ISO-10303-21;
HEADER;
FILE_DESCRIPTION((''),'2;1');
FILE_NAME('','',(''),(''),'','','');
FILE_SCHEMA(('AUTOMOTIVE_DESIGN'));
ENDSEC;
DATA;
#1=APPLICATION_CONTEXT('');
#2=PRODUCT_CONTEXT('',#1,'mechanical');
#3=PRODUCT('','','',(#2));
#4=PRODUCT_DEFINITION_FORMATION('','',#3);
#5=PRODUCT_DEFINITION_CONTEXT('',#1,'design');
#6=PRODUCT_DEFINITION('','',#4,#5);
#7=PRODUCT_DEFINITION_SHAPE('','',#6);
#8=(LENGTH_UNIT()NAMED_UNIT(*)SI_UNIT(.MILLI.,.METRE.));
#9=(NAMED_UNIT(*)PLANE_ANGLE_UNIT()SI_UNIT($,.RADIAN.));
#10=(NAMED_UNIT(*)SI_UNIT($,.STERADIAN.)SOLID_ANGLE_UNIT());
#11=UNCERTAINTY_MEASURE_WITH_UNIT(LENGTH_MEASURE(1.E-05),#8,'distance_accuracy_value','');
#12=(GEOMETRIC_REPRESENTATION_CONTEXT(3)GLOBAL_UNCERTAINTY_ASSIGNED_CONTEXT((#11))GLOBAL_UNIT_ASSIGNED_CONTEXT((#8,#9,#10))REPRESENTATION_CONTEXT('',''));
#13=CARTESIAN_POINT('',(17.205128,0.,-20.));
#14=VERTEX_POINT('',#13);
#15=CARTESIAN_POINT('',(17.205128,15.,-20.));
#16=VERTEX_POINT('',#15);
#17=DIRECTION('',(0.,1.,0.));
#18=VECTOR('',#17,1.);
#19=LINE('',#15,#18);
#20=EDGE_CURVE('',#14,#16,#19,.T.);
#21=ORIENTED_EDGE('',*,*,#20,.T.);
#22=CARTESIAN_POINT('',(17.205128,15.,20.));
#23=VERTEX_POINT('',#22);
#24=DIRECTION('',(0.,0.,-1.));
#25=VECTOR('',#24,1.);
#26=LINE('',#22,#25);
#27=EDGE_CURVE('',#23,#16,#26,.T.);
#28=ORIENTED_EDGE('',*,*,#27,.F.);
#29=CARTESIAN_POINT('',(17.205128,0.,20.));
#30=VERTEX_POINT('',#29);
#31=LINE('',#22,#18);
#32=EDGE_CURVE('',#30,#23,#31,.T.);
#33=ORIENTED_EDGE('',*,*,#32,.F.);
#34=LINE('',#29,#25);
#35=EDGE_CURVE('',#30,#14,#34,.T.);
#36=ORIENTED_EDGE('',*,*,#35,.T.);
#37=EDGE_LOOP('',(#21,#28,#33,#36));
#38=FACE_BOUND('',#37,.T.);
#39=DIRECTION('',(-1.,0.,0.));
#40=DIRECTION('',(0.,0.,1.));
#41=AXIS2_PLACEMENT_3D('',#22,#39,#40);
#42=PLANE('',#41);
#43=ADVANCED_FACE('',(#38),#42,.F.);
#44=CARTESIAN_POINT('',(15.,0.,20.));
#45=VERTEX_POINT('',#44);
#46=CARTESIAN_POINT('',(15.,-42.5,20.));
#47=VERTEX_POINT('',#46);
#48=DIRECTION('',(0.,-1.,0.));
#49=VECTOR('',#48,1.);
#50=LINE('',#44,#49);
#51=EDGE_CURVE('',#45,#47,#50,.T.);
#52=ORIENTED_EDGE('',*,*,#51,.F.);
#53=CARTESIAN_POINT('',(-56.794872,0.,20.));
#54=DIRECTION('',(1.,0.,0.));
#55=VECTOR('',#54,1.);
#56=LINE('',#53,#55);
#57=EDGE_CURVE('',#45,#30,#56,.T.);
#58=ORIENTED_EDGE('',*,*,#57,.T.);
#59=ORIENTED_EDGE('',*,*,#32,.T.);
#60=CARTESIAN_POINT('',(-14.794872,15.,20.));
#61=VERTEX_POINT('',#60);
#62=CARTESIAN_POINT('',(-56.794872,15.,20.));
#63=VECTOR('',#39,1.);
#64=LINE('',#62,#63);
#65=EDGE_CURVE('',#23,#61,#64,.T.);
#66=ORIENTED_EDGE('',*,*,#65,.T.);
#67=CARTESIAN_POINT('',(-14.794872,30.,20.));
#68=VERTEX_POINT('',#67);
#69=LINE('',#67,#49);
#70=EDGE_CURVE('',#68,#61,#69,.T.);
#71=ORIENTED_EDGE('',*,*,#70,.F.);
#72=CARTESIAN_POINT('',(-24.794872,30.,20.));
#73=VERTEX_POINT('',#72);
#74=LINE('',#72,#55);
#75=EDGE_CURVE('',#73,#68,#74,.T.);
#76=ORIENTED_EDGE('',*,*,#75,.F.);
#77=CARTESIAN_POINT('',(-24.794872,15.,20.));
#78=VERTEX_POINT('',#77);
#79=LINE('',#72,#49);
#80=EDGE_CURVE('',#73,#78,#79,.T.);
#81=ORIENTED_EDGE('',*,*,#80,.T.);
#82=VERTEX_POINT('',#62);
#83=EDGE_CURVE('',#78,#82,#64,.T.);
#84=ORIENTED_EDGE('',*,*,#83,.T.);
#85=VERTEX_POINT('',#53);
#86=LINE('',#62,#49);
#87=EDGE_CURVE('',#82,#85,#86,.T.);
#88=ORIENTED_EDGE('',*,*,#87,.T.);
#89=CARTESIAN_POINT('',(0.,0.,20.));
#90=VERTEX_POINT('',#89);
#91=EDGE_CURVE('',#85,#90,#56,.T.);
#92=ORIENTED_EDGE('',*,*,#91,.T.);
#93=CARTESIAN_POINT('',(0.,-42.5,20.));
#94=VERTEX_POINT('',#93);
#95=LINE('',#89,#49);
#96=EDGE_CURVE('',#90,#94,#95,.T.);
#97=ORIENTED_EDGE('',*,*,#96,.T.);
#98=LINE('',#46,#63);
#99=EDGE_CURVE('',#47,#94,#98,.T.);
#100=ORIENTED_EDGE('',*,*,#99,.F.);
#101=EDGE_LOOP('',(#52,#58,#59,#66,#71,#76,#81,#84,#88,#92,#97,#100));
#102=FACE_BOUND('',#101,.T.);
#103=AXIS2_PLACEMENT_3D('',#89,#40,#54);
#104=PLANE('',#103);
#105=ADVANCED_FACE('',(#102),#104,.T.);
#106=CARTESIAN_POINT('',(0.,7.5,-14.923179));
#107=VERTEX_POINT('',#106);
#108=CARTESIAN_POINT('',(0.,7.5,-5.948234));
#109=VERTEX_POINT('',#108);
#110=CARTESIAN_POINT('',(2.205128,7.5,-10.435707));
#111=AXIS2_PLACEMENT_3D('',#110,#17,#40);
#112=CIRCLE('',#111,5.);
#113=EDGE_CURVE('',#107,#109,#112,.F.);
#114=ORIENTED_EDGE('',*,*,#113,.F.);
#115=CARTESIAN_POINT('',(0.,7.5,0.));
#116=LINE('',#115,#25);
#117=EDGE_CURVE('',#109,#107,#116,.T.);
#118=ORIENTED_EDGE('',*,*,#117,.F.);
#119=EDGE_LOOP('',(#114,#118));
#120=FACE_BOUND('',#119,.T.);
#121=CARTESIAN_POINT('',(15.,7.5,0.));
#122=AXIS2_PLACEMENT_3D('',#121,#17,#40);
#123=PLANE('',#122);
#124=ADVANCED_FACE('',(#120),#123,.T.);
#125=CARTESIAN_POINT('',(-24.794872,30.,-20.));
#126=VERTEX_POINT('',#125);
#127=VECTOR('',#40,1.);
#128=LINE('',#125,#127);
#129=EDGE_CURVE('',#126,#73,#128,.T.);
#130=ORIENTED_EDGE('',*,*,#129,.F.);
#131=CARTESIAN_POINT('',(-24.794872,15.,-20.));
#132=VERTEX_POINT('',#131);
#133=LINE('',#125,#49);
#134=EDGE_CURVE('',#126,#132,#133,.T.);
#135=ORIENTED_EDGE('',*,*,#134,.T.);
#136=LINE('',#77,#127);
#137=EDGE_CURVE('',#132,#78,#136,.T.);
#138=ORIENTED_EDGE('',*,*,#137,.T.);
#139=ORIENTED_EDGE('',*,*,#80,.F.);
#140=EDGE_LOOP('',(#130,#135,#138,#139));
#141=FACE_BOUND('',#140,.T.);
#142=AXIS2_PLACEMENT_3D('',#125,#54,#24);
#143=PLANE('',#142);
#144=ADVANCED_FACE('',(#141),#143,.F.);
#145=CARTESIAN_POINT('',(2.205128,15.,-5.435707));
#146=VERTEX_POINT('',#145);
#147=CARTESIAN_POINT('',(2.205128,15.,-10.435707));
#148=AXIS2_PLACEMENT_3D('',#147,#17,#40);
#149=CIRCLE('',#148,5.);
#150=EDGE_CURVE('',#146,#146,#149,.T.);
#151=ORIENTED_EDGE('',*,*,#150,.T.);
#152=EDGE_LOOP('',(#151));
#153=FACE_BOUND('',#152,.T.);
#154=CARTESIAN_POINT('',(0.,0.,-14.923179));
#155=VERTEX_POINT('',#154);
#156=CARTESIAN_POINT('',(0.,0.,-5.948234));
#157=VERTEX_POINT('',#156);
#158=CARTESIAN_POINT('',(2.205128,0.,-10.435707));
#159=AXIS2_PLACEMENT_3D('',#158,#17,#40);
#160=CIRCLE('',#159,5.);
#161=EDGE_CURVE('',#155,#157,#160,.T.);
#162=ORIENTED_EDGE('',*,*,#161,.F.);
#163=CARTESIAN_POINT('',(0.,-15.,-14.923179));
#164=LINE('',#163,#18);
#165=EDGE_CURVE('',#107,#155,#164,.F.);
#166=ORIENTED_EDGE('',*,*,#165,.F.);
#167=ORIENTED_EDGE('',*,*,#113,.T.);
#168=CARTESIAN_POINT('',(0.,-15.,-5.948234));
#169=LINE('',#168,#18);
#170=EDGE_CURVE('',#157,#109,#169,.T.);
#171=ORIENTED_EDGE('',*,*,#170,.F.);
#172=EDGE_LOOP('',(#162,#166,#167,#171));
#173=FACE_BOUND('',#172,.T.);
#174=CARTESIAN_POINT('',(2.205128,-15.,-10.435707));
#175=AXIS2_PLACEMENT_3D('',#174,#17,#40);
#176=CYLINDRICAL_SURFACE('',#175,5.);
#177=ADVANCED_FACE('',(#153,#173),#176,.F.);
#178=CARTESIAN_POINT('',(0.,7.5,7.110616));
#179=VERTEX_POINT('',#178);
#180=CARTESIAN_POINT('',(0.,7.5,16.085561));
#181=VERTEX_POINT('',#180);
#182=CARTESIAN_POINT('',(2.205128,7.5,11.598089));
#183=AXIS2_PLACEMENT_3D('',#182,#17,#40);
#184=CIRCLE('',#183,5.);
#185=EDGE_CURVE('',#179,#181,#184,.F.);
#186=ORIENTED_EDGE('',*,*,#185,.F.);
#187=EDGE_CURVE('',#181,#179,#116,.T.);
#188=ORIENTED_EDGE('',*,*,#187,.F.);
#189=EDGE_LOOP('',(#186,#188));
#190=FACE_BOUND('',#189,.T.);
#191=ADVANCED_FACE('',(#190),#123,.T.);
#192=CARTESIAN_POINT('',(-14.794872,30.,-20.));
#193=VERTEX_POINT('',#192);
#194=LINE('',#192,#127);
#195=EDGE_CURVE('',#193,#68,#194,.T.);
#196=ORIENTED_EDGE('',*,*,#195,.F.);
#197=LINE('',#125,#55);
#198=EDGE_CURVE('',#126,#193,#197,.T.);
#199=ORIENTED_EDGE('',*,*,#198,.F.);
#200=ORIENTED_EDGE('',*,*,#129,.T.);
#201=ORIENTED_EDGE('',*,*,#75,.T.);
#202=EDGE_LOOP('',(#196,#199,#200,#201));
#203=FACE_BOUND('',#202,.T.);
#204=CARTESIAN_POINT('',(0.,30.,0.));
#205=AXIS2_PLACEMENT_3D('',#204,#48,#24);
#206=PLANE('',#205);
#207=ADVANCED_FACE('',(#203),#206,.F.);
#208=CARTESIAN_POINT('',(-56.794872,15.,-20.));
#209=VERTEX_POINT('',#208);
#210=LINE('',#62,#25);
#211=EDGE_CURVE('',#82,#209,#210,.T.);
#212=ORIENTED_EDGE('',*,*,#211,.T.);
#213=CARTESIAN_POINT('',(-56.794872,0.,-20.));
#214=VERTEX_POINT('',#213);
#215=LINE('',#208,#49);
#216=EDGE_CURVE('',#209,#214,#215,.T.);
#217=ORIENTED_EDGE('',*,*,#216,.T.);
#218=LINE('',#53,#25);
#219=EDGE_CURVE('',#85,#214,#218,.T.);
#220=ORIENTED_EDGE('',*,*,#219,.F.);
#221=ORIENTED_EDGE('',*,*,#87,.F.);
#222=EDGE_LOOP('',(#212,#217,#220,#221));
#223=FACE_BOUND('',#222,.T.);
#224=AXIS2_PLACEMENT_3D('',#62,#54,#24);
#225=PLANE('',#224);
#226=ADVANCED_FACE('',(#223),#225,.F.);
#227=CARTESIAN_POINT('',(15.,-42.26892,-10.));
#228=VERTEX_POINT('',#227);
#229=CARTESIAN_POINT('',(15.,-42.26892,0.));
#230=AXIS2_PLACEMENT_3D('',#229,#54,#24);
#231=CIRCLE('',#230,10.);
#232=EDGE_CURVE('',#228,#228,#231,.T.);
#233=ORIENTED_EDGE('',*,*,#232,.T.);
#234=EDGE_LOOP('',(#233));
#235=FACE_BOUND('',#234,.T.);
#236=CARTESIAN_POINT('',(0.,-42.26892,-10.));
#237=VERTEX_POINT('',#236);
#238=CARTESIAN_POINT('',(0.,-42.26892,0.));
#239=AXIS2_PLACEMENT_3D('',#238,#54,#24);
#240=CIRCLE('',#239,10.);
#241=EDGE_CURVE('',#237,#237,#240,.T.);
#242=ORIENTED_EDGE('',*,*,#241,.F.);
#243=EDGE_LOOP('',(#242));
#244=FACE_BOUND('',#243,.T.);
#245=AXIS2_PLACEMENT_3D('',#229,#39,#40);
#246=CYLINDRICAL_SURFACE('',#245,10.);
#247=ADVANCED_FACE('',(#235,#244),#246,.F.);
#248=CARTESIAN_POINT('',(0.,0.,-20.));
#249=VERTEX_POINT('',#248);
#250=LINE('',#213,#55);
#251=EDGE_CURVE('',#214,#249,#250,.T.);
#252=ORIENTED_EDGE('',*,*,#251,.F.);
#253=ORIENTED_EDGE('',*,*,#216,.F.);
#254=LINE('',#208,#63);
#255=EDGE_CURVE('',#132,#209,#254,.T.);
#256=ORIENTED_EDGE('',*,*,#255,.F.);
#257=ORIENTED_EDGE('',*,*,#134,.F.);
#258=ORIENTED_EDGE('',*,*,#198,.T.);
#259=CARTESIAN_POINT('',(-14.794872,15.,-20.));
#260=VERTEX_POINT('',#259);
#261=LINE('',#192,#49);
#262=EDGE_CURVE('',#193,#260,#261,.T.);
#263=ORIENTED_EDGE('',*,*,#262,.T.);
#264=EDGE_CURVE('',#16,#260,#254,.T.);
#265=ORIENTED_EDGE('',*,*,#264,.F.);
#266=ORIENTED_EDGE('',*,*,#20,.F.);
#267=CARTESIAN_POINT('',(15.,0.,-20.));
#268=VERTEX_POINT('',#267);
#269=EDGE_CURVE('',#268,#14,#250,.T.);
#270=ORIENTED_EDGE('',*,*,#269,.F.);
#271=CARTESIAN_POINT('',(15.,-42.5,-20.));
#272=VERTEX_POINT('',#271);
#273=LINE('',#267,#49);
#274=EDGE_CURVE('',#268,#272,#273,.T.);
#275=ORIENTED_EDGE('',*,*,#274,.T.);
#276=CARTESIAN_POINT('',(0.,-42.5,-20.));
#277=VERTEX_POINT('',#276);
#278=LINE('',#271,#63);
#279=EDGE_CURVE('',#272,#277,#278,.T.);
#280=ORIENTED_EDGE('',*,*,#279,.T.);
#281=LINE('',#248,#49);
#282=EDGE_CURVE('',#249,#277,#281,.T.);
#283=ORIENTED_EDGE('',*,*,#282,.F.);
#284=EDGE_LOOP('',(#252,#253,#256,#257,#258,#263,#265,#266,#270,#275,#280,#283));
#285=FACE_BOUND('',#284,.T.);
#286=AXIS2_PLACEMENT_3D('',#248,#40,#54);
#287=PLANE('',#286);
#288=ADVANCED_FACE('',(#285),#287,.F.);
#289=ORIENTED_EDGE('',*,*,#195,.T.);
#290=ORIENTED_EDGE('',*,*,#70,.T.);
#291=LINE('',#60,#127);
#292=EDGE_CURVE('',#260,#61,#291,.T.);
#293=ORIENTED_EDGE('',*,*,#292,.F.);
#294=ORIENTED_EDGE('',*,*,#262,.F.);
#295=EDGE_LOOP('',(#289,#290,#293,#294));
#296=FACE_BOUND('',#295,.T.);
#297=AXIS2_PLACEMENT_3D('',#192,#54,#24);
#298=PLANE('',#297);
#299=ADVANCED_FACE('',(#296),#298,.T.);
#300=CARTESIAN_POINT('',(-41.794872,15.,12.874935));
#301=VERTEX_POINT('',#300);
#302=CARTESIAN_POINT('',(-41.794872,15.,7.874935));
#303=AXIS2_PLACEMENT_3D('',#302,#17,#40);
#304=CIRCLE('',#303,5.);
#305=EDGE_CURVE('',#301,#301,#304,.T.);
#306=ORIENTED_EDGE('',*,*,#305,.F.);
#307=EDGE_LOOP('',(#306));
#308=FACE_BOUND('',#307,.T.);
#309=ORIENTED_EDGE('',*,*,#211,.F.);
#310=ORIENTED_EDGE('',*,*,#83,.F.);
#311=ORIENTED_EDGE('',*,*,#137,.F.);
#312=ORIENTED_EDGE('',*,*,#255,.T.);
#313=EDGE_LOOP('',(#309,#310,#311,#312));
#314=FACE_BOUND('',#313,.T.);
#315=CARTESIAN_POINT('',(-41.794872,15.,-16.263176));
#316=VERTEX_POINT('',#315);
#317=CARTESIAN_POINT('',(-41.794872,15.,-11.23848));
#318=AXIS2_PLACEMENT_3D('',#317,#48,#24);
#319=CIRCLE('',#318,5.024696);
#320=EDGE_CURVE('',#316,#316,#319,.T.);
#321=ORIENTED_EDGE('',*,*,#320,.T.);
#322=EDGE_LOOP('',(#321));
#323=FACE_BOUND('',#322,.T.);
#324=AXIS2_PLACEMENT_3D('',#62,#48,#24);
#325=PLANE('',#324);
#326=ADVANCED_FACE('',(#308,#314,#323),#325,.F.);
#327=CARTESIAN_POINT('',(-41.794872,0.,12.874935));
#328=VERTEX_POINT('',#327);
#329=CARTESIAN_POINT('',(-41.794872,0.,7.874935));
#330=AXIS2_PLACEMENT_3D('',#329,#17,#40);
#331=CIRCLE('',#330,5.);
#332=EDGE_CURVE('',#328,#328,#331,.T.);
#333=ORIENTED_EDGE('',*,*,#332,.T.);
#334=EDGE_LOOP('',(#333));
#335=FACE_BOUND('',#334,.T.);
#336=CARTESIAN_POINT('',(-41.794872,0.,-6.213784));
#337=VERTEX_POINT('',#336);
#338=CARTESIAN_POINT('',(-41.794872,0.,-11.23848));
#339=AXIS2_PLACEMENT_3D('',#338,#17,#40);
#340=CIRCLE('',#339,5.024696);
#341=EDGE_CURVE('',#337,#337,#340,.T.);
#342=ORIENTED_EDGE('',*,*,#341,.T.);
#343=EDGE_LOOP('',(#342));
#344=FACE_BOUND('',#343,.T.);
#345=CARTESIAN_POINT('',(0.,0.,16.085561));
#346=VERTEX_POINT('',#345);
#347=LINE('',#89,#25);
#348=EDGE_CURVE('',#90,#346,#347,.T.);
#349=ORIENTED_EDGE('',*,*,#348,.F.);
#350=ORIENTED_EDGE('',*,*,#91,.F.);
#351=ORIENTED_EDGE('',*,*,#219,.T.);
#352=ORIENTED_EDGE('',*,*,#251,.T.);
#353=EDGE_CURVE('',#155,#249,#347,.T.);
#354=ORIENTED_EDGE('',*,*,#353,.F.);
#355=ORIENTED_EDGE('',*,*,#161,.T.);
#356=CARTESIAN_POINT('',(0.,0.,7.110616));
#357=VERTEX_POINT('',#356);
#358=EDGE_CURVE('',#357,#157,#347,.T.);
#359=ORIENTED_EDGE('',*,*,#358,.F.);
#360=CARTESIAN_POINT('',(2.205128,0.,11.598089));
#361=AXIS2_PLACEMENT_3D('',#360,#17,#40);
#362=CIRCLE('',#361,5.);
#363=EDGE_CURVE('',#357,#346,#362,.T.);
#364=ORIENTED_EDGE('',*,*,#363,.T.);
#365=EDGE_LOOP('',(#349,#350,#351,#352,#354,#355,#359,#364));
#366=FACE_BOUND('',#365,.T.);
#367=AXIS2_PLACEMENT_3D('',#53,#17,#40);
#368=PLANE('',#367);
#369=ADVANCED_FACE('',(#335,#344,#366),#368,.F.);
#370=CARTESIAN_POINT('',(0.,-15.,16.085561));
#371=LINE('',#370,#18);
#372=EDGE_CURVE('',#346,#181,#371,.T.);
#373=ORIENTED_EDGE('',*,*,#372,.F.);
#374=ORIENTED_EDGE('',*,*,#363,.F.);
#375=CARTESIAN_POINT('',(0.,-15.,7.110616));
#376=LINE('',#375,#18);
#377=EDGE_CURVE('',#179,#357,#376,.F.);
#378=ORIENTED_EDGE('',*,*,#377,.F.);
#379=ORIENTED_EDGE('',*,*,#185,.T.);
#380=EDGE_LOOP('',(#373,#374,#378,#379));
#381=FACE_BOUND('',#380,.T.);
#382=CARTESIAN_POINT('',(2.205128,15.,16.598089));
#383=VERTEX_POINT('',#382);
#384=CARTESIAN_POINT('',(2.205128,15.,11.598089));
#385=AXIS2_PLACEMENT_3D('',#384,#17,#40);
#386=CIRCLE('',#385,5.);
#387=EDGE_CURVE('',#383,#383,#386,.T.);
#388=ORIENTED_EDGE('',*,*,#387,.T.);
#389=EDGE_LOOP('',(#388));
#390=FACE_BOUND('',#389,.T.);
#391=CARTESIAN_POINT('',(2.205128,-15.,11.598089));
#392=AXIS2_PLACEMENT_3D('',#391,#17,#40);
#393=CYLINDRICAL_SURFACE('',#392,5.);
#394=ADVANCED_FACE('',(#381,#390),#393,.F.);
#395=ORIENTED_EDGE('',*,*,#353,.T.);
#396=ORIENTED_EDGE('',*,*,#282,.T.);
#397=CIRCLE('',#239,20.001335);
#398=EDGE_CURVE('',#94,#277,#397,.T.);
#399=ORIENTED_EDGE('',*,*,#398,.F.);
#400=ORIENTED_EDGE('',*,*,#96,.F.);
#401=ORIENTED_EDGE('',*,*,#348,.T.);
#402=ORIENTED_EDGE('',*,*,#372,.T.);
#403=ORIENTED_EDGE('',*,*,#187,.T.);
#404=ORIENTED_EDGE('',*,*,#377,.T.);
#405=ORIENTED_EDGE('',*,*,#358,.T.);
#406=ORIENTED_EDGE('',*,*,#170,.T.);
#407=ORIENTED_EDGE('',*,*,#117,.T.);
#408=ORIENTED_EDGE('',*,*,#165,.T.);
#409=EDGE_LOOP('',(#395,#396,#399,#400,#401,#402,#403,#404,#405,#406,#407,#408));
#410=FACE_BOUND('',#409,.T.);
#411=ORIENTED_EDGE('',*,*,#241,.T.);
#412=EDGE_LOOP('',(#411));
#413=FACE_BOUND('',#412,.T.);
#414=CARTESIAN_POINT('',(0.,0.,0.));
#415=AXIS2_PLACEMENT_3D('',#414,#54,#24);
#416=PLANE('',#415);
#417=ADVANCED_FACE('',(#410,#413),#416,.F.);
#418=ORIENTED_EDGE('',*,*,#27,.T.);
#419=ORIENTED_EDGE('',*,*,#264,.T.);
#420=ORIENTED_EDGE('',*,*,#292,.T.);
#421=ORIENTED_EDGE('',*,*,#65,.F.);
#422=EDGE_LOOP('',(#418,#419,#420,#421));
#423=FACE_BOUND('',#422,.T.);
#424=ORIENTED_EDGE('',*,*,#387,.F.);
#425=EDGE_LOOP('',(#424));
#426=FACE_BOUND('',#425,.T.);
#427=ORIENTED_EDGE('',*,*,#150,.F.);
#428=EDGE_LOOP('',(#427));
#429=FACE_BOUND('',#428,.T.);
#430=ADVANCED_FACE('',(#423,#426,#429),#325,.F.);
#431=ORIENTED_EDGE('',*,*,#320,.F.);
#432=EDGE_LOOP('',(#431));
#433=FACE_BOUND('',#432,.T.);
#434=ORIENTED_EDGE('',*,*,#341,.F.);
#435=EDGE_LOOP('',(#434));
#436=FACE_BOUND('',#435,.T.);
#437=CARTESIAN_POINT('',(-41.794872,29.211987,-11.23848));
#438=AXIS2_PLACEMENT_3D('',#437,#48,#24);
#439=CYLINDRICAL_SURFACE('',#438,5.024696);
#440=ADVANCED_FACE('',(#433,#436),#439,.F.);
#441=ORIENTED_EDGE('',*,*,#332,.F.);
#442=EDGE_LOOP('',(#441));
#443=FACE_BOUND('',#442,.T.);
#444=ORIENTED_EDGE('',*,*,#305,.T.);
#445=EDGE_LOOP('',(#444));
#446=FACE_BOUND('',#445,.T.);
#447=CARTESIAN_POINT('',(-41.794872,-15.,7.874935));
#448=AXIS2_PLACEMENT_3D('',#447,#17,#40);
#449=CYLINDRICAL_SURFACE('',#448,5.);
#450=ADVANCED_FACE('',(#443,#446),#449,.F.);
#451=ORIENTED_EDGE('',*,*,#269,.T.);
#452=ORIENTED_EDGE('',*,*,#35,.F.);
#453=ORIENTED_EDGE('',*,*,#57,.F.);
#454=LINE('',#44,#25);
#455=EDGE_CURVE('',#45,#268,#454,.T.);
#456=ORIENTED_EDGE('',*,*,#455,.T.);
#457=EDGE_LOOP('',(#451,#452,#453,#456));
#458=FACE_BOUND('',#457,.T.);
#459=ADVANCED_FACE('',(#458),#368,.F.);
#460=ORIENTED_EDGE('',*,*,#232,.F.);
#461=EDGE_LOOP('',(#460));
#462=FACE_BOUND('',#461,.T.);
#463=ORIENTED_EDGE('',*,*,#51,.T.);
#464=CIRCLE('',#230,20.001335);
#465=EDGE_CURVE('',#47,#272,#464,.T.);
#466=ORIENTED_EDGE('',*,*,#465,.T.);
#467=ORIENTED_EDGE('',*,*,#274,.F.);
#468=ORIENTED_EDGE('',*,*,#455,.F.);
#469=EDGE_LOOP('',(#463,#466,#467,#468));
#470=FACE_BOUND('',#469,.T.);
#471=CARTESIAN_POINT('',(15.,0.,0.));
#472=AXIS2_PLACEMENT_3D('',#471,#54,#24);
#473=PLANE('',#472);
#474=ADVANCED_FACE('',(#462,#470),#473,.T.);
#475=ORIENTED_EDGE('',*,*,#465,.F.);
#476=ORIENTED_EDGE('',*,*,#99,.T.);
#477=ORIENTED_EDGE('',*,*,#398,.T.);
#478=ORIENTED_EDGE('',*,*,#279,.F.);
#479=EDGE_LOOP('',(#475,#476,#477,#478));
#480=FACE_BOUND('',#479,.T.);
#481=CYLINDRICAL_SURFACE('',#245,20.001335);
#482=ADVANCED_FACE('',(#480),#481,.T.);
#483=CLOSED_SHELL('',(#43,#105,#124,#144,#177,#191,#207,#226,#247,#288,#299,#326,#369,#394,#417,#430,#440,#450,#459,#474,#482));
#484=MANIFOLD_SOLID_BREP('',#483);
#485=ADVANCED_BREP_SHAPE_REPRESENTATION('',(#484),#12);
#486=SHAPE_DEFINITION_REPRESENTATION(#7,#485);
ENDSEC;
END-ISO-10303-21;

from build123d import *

# Parameters (mm, degrees)
SKETCH1_W           = 74
SKETCH1_H           = 15
BOSS_EXTRUDE1_DEPTH = 20
SKETCH2_W           = 10
SKETCH2_H           = 40
BOSS_EXTRUDE2_DEPTH = 30
SKETCH3_R           = 5.024696106
CUT_EXTRUDE4_DEPTH  = 15
SKETCH6_R           = 5
CUT_EXTRUDE5_DEPTH  = 30
SKETCH8_R           = 5
CUT_EXTRUDE6_DEPTH  = 30
SKETCH9_R           = 5
CUT_EXTRUDE7_DEPTH  = 30
SKETCH11_R          = 10
BOSS_EXTRUDE3_DEPTH = 15


with BuildPart() as part:
    # Sketch1 → Boss-Extrude1 (new, symmetric)
    with BuildSketch(Plane.XY):
        with Locations((-19.794871795, 7.5)):
            Rectangle(SKETCH1_W, SKETCH1_H)
    extrude(amount=BOSS_EXTRUDE1_DEPTH, both=True)

    # Sketch2 → Boss-Extrude2 (add)
    with BuildSketch(Plane(origin=(0, 0, 0), x_dir=(1, 0, 0), z_dir=(0, 1, 0))):
        with Locations((-19.794871795, 0)):
            Rectangle(SKETCH2_W, SKETCH2_H)
    extrude(amount=BOSS_EXTRUDE2_DEPTH)

    # Sketch3 → Cut-Extrude4 (cut)
    with BuildSketch(Plane(origin=(0, 0, 0), x_dir=(1, 0, 0), z_dir=(0, 1, 0))):
        with Locations(Location((-41.794871795, 11.238480193, 0), (0, 0, 90))):
            Circle(SKETCH3_R)
    extrude(amount=CUT_EXTRUDE4_DEPTH, mode=Mode.SUBTRACT)

    # Sketch6 → Cut-Extrude5 (cut)
    with BuildSketch(Plane(origin=(0, 15, 0), x_dir=(1, 0, 0), z_dir=(0, 1, 0))):
        with Locations(Location((-41.794871795, -7.874935053, 0), (0, 0, 270))):
            Circle(SKETCH6_R)
    extrude(amount=-CUT_EXTRUDE5_DEPTH, mode=Mode.SUBTRACT)

    # Sketch8 → Cut-Extrude6 (cut)
    with BuildSketch(Plane(origin=(0, 15, 0), x_dir=(1, 0, 0), z_dir=(0, 1, 0))):
        with Locations(Location((2.205128205, 10.435706621, 0), (0, 0, 270))):
            Circle(SKETCH8_R)
    extrude(amount=-CUT_EXTRUDE6_DEPTH, mode=Mode.SUBTRACT)

    # Sketch9 → Cut-Extrude7 (cut)
    with BuildSketch(Plane(origin=(0, 15, 0), x_dir=(1, 0, 0), z_dir=(0, 1, 0))):
        with Locations(Location((2.205128205, -11.598088542, 0), (0, 0, 270))):
            Circle(SKETCH9_R)
    extrude(amount=-CUT_EXTRUDE7_DEPTH, mode=Mode.SUBTRACT)

    # Sketch11 → Boss-Extrude3 (add)
    with BuildSketch(Plane(origin=(0, 0, 0), x_dir=(0, 0, -1), z_dir=(1, 0, 0))):
        with BuildLine():
            Line((-20, 7.5), (20, 7.5))
            Line((20, 7.5), (20, -42.5))
            ThreePointArc((20, -42.5), (0, -62.270254711), (-20, -42.5))
            Line((-20, -42.5), (-20, 7.5))
        make_face()
        with Locations((0, -42.268919804)):
            Circle(SKETCH11_R, mode=Mode.SUBTRACT)
    extrude(amount=BOSS_EXTRUDE3_DEPTH)


solid = part.part
